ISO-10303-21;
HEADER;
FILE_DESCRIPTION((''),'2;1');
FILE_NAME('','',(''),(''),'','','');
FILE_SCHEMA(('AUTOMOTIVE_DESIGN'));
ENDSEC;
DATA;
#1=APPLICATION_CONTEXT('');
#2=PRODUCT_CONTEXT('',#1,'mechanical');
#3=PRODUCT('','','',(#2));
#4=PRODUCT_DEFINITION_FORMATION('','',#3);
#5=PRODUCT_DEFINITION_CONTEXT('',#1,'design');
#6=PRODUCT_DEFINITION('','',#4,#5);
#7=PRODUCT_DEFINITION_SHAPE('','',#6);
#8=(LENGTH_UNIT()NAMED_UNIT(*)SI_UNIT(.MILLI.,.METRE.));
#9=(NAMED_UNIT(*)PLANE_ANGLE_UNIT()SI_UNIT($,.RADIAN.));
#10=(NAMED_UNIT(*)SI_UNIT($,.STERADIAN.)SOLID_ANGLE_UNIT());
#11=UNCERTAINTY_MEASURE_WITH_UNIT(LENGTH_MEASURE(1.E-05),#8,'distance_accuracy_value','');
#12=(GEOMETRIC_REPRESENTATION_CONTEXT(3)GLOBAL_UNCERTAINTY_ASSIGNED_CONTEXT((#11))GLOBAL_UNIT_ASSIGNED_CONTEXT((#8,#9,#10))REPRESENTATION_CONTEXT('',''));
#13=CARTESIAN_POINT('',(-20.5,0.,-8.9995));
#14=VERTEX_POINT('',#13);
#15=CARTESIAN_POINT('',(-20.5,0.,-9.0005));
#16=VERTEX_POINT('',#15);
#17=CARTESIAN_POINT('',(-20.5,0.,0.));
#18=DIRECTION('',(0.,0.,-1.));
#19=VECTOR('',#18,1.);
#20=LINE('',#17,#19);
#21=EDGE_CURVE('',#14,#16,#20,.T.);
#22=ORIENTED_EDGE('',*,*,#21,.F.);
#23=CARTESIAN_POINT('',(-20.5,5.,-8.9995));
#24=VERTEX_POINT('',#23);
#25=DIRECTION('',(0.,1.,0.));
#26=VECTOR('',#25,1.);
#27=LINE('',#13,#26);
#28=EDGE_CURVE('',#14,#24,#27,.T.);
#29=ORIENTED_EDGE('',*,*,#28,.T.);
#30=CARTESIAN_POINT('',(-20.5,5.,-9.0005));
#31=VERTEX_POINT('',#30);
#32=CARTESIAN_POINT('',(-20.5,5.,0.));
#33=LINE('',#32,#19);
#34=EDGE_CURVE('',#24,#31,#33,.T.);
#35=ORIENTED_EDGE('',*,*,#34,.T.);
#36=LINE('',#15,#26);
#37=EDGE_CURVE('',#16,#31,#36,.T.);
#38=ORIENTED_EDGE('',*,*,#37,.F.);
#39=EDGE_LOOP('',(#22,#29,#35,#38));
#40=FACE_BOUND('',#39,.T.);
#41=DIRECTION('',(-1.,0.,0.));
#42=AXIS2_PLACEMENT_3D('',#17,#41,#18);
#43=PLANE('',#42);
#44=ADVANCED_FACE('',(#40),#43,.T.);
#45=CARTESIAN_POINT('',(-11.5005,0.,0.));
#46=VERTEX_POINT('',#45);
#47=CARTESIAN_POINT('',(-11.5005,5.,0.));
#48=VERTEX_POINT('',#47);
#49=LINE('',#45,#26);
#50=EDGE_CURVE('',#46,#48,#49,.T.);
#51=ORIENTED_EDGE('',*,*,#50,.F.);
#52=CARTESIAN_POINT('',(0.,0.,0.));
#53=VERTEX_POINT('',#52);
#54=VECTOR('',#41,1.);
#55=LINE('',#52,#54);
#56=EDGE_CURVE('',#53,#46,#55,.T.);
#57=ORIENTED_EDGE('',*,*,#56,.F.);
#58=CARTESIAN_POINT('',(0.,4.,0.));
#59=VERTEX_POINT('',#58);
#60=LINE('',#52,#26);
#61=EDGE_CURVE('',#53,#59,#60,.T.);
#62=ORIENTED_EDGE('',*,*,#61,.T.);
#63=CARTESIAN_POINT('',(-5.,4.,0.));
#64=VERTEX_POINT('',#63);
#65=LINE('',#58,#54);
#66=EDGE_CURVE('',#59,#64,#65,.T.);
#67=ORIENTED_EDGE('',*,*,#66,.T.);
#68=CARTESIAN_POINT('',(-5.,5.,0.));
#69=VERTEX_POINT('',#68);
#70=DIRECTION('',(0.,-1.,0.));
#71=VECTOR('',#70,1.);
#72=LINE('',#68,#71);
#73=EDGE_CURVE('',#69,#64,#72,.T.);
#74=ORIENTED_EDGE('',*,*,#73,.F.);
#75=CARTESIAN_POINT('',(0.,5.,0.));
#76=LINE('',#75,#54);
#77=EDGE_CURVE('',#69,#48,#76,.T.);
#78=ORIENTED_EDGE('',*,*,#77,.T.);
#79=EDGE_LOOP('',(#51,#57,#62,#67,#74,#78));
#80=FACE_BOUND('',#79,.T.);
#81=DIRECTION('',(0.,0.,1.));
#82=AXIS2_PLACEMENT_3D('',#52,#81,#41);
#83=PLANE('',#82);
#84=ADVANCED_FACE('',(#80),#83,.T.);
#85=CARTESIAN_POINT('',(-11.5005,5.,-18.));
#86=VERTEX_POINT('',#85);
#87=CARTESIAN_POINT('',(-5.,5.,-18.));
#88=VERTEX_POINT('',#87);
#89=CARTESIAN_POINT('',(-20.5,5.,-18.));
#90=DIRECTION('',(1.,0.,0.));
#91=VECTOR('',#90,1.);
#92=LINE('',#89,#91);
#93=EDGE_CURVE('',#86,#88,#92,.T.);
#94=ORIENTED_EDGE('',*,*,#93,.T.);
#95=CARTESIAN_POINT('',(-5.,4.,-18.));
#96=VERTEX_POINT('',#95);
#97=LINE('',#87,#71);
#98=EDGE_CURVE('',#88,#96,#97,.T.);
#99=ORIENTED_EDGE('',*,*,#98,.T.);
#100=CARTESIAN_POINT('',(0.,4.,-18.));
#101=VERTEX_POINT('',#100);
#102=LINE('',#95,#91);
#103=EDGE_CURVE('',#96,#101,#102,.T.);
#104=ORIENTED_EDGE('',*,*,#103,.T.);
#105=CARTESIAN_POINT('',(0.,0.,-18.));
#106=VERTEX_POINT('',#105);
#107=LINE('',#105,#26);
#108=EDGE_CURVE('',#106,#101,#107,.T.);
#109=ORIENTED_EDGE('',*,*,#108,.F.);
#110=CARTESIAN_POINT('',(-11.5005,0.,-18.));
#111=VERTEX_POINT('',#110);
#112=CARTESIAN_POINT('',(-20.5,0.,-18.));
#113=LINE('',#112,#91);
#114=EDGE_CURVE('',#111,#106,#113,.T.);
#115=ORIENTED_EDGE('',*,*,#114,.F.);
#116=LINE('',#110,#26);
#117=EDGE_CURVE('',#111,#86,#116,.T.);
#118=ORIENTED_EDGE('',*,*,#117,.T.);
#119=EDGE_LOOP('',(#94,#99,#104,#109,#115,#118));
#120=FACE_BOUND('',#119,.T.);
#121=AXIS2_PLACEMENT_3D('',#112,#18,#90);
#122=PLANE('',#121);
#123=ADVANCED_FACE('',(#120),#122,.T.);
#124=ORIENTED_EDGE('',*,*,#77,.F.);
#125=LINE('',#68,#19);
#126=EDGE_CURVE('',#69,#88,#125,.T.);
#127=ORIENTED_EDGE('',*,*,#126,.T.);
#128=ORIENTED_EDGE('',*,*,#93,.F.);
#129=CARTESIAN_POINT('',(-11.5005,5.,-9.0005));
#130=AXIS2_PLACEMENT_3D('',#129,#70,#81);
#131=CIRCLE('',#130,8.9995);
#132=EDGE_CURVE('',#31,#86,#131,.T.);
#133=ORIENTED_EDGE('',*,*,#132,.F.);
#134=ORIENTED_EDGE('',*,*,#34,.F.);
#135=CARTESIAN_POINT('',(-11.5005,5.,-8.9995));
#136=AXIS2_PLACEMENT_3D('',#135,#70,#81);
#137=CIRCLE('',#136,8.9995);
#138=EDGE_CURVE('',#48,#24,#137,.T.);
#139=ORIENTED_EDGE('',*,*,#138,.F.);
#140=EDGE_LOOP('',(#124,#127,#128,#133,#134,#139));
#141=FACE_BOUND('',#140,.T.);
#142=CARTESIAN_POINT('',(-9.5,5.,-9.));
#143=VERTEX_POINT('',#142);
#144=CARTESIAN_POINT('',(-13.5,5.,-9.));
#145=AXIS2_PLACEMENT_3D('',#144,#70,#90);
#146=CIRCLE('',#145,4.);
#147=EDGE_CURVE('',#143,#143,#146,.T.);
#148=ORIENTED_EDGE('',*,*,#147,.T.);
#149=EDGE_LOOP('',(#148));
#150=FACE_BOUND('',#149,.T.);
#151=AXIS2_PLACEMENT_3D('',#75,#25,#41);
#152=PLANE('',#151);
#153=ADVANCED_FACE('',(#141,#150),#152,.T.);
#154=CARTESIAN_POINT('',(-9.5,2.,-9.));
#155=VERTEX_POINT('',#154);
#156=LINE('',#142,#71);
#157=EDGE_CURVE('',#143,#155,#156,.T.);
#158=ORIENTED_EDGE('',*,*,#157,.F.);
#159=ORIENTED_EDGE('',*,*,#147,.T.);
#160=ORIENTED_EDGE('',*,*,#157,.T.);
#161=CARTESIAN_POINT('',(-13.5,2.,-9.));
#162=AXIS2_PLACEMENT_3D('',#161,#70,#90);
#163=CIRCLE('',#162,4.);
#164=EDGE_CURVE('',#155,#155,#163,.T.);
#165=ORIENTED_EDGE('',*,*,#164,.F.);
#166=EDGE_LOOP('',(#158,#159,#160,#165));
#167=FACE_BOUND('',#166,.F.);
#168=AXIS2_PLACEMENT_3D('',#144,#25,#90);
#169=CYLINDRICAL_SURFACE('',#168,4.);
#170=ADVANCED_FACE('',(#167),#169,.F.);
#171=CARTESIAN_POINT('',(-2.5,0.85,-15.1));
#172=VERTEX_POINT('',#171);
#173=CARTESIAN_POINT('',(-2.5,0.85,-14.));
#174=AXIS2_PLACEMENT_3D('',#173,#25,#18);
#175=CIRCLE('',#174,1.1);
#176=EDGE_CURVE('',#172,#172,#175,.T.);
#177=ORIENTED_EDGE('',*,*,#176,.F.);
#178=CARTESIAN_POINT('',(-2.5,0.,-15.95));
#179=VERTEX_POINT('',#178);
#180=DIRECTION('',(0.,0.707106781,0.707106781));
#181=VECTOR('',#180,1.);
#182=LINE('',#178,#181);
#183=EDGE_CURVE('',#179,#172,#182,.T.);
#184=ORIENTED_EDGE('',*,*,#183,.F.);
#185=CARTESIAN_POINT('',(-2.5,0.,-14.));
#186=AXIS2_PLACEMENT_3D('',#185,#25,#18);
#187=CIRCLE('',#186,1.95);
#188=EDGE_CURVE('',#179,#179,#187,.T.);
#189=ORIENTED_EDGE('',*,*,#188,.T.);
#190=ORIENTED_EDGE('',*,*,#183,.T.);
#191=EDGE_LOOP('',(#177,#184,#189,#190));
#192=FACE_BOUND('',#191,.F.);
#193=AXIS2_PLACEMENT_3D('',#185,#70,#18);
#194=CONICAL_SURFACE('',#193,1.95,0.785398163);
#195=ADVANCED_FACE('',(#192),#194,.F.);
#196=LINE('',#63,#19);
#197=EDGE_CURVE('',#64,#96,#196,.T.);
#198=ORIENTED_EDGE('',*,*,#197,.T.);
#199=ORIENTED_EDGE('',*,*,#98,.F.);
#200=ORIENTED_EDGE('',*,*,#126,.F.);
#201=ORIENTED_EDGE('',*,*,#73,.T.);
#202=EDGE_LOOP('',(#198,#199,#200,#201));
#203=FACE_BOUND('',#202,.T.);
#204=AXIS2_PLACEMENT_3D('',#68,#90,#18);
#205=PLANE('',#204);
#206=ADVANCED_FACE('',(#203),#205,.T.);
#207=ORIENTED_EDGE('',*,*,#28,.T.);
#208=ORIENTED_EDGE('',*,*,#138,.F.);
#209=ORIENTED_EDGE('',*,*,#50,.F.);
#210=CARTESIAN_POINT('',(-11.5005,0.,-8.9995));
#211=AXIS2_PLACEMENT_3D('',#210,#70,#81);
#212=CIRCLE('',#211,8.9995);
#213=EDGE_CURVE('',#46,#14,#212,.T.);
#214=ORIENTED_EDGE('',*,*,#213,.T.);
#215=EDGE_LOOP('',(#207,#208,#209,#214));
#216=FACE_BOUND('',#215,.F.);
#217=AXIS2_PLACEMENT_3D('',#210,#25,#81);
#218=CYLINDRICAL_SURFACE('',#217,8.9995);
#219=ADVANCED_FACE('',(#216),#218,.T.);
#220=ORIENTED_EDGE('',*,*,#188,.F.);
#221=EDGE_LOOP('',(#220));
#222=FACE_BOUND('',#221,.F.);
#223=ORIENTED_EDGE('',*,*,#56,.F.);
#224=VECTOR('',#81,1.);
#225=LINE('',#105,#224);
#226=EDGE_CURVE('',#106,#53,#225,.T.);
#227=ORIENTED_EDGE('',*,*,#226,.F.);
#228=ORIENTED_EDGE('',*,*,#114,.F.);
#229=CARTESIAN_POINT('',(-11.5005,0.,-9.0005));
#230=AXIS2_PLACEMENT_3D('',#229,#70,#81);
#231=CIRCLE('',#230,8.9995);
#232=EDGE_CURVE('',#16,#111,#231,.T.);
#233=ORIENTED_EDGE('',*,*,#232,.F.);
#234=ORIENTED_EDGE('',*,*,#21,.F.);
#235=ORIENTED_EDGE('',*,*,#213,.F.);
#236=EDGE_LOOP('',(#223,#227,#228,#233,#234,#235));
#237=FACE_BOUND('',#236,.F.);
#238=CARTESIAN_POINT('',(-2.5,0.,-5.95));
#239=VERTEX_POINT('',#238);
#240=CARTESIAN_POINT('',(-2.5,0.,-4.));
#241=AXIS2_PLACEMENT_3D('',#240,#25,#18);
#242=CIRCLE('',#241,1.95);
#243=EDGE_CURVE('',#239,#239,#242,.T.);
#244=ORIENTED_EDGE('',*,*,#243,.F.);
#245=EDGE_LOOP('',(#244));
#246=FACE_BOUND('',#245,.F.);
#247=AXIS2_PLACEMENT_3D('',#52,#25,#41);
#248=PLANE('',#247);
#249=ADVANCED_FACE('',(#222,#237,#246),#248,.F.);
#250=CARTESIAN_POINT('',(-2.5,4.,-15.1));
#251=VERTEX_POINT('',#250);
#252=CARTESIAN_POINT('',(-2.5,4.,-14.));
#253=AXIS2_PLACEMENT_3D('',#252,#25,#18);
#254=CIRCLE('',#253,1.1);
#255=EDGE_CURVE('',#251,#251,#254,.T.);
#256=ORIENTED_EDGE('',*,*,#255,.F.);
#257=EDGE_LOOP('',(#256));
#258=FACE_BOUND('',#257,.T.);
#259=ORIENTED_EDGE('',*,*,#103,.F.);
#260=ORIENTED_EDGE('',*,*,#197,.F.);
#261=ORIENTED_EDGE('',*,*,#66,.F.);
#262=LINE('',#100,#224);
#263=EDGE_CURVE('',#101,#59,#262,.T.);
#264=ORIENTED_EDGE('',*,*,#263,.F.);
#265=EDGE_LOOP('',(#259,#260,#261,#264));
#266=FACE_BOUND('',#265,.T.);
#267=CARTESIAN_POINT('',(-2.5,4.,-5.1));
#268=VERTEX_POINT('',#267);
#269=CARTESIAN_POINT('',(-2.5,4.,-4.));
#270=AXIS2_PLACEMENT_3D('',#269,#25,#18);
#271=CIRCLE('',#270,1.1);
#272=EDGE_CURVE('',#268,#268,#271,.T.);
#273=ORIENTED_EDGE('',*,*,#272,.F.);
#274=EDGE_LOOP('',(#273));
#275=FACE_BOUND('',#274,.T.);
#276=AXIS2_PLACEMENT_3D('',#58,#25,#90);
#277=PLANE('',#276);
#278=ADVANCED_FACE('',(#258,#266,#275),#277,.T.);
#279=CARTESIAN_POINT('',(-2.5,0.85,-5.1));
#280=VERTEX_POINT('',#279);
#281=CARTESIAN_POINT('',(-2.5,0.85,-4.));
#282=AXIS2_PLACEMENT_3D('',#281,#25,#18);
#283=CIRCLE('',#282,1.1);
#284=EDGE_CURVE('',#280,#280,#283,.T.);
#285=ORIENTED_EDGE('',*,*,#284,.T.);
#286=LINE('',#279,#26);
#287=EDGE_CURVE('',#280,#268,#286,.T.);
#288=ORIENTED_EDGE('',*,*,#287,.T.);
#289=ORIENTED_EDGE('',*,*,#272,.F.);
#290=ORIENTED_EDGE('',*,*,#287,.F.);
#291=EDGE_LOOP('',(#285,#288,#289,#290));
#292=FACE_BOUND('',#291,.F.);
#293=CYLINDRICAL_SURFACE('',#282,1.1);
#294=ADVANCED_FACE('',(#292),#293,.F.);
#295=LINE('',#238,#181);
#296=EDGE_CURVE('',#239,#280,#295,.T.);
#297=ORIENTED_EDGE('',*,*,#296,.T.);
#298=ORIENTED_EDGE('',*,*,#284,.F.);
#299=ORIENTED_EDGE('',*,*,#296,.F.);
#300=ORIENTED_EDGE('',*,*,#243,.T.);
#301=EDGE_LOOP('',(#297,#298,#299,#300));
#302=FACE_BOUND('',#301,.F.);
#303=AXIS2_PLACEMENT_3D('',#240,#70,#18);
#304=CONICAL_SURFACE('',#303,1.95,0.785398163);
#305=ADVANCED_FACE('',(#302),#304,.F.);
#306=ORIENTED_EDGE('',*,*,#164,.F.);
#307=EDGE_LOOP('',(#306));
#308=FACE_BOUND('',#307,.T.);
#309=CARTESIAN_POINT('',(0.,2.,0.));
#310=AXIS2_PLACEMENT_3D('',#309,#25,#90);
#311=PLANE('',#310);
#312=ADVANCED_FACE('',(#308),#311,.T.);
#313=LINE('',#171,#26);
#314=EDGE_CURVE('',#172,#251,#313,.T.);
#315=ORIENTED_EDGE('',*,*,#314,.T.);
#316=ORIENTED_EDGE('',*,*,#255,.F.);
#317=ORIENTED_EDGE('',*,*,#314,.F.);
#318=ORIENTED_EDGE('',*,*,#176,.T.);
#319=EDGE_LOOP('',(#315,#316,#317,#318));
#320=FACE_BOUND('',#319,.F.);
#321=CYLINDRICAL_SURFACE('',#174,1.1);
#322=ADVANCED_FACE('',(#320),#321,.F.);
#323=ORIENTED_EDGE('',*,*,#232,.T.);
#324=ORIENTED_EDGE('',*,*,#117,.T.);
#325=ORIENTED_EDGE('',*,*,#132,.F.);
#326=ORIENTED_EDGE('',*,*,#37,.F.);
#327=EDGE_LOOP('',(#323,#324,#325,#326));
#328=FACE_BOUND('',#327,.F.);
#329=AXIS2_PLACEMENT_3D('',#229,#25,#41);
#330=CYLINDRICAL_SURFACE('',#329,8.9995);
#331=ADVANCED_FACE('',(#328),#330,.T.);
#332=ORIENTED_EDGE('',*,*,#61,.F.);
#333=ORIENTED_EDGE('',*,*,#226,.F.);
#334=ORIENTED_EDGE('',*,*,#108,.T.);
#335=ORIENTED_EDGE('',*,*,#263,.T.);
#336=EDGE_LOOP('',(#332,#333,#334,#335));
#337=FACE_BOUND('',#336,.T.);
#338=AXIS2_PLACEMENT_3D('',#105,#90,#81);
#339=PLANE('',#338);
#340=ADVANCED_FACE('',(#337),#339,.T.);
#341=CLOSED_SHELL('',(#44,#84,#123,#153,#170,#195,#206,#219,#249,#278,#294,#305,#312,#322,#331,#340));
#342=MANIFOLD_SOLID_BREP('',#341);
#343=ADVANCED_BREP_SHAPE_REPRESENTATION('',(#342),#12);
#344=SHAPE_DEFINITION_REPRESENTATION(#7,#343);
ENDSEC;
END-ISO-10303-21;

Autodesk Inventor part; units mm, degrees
ref_plane "YZ Plane" through (0, 0, 0) normal (1, 0, 0) x (0, 1, 0)
ref_plane "XZ Plane" through (0, 0, 0) normal (0, 1, 0) x (-1, 0, 0)
ref_plane "XY Plane" through (0, 0, 0) normal (0, 0, 1) x (1, 0, 0)
sketch "Эскиз1" plane through (0, 0, 0) normal (0, 1, 0) x (-1, 0, 0)
  line L0 (0, 0) -> (20.5, 0)
  line L1 (20.5, 0) -> (20.5, -18)
  line L2 (20.5, -18) -> (0, -18)
  line L3 (0, -18) -> (0, 0)
  dimension "d0" = 20.5
  dimension "d1" = 18
extrude "Выдавливание1" add sketch "Эскиз1" along normal blind 5
sketch "Эскиз2" plane through (0, 5, 0) normal (0, 1, 0) x (1, 0, 0)
  line L0 (-20.5, 18) -> (-20.5, 0) projected
  line L1 (-20.5, 9) -> (-13.5, 9)
  circle A0 centre (-13.5, 9) radius 4
  point P0 (0, 0)
  dimension "d4" = 7
  dimension "d5" = 8
extrude "Выдавливание2" cut sketch "Эскиз2" against normal blind 3
fillet "Сопряжение1" radius 9 2 edges at (-20.5, 2.5, 0) (-20.5, 2.5, -18)
sketch "Эскиз3" plane through (0, 0, 0) normal (0, -1, 0) x (1, 0, 0)
  line L0 (0, 0) -> (0, -18) projected
  line L1 (0, -9) -> (-2.5, -9)
  line L2 (-2.5, -4) -> (-2.5, -14)
  dimension "d9" = 2.5
  dimension "d10" = 10
hole "Отверстие1" at (-2.5, 0, -4) at (-2.5, 0, -14) direction (0, 1, 0) diameter 2.2 end through all countersink diameter 3.9 countersink angle 90
sketch "Эскиз4" plane through (0, 5, 0) normal (0, 1, 0) x (1, 0, 0)
  line L0 (0, 0) -> (-5, 0)
  line L1 (-5, 0) -> (-5, 18)
  line L2 (-5, 18) -> (0, 18)
  line L3 (0, 18) -> (0, 0)
  line L4 (0, 18) -> (-11.5, 18) projected
  dimension "d18" = 5
extrude "Выдавливание3" cut sketch "Эскиз4" against normal blind 1
properties part number "Деталь основы рулевого управления"
